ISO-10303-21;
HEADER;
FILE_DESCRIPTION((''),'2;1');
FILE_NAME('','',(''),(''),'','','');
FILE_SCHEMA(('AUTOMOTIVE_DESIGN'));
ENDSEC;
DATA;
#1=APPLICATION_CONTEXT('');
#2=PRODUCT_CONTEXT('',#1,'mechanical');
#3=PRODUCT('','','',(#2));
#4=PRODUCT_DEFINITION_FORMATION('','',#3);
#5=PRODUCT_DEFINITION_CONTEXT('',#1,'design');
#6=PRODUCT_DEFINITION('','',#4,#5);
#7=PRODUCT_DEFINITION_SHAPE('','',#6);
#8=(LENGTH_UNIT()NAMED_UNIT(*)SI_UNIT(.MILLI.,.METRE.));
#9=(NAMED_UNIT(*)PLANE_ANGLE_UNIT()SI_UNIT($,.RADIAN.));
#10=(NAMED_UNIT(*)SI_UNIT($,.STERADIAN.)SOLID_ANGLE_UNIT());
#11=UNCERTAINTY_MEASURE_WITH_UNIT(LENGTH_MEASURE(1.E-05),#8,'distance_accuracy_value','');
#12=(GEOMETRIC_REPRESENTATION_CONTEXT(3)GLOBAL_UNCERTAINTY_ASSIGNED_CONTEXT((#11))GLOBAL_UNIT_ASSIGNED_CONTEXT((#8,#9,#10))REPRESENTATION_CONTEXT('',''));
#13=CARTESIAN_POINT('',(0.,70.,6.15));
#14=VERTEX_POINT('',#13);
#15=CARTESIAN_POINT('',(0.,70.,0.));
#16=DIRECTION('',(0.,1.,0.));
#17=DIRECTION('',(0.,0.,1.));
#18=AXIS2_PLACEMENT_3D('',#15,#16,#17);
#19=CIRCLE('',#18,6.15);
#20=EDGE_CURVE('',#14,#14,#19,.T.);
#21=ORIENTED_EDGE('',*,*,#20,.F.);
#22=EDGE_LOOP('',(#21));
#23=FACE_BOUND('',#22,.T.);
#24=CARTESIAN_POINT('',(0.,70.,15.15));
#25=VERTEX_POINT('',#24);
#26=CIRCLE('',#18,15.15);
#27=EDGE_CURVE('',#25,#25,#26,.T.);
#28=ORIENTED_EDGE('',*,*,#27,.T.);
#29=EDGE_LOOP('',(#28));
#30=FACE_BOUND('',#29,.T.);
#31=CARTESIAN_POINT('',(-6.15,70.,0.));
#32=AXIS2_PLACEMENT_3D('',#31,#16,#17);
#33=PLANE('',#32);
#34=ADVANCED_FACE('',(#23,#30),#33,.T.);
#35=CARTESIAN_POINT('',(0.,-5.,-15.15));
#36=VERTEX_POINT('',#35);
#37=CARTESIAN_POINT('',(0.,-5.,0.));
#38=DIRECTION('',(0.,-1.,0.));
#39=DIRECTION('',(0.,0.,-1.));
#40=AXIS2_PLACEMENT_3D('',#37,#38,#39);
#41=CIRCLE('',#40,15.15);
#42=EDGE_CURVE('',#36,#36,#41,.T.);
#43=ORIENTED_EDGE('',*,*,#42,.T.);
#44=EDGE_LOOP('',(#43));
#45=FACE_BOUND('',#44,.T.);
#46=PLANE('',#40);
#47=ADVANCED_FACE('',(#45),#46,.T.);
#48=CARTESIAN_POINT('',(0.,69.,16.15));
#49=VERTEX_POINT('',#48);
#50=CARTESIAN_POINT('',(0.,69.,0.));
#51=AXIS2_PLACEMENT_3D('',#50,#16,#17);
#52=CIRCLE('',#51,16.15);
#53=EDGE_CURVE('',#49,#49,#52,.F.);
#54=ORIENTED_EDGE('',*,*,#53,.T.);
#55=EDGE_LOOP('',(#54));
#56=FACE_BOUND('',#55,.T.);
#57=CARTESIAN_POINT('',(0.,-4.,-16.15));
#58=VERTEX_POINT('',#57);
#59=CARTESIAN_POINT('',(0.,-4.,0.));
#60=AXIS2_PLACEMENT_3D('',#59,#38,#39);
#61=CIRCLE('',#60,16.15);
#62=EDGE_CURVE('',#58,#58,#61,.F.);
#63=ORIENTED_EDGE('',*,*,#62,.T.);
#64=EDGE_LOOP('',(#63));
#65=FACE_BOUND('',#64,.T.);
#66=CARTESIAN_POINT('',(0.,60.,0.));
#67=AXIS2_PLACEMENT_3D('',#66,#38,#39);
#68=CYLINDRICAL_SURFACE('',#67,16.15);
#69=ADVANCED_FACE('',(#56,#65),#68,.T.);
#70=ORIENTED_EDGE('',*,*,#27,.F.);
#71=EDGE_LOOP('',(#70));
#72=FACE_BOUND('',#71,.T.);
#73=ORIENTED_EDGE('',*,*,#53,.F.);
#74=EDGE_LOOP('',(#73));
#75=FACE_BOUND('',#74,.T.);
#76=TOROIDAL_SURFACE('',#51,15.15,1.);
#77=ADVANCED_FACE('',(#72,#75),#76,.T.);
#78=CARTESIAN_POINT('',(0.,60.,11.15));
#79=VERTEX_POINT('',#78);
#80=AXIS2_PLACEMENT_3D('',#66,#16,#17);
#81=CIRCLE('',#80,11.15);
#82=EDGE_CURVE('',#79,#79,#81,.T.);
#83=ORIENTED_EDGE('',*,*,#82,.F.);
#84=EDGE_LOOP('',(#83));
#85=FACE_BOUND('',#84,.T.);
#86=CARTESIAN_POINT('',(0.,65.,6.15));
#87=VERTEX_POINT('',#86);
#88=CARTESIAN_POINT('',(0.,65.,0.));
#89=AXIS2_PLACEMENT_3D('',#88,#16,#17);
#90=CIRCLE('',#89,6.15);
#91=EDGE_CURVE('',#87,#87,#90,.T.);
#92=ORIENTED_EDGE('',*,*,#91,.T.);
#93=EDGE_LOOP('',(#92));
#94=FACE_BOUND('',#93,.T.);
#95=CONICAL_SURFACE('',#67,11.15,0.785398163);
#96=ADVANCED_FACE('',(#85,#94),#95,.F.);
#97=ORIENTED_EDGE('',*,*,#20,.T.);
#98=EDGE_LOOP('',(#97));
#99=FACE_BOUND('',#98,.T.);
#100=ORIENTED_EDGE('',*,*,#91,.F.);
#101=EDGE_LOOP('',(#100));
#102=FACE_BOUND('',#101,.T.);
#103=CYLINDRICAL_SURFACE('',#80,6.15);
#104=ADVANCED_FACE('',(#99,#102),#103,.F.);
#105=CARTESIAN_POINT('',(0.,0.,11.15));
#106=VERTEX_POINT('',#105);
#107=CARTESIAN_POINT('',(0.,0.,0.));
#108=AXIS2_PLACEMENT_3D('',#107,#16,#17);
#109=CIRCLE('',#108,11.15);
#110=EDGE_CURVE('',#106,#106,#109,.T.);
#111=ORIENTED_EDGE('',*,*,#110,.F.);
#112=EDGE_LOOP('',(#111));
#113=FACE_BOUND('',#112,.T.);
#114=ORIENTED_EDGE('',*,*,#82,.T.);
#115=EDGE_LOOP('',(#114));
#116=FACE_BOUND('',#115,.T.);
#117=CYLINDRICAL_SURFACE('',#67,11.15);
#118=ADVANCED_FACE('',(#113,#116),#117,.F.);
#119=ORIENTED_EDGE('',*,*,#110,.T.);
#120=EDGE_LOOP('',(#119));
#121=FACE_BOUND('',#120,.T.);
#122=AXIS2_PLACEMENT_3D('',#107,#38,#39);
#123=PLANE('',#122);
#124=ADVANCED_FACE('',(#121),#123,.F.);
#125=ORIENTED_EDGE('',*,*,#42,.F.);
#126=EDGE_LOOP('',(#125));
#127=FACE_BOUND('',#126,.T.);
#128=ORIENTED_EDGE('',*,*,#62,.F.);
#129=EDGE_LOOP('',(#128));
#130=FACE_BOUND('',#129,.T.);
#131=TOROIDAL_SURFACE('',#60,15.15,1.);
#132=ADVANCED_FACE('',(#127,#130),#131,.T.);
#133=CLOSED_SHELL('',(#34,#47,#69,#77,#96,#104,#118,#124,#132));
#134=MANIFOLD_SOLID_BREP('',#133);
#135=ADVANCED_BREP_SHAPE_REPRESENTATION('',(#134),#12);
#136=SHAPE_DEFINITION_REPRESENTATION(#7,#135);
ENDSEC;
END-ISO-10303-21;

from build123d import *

# Parameters (mm, degrees)
SKETCH1_R           = 16.15
SKETCH1_R_2         = 11.15
BOSS_EXTRUDE1_DEPTH = 60
BOSS_EXTRUDE2_START = 5
SKETCH2_R           = 16.15
BOSS_EXTRUDE2_DEPTH = 5
FILLET1_R           = 1


with BuildPart() as part:
    # Sketch1 → Boss-Extrude1 (new body)
    with BuildSketch(Plane(origin=(0, 0, 0), x_dir=(1, 0, 0), z_dir=(0, 1, 0))):
        with Locations(Location((0, 0, 0), (0, 0, 270))):
            Circle(SKETCH1_R)
        with Locations(Location((0, 0, 0), (0, 0, 270))):
            Circle(SKETCH1_R_2, mode=Mode.SUBTRACT)
    extrude(amount=BOSS_EXTRUDE1_DEPTH)

    # Sketch2 → Boss-Extrude2 (add)
    with BuildSketch(Plane.XZ.offset(BOSS_EXTRUDE2_START)):
        with Locations(Location((0, 0, 0), (0, 0, 270))):
            Circle(SKETCH2_R)
    extrude(amount=-BOSS_EXTRUDE2_DEPTH)

    # Sketch3 → Revolve1 (revolve)
    with BuildSketch(Plane.XY, mode=Mode.PRIVATE) as revolve1_sk:
        Polygon((-11.15, 60), (-6.15, 65), (-6.15, 70), (-16.15, 70), (-16.15, 60), align=None)
    revolve(revolve1_sk.sketch.rotate(Axis((0, 60, 0), (0, -1, 0)), 270), axis=Axis((0, 60, 0), (0, -1, 0)))

    # Fillet1
    fillet1_edges = [part.edges().sort_by_distance(p)[0] for p in [
        (0, 70, -16.15),
        (0, -5, 16.15),
    ]]
    fillet(fillet1_edges, radius=FILLET1_R)


solid = part.part
